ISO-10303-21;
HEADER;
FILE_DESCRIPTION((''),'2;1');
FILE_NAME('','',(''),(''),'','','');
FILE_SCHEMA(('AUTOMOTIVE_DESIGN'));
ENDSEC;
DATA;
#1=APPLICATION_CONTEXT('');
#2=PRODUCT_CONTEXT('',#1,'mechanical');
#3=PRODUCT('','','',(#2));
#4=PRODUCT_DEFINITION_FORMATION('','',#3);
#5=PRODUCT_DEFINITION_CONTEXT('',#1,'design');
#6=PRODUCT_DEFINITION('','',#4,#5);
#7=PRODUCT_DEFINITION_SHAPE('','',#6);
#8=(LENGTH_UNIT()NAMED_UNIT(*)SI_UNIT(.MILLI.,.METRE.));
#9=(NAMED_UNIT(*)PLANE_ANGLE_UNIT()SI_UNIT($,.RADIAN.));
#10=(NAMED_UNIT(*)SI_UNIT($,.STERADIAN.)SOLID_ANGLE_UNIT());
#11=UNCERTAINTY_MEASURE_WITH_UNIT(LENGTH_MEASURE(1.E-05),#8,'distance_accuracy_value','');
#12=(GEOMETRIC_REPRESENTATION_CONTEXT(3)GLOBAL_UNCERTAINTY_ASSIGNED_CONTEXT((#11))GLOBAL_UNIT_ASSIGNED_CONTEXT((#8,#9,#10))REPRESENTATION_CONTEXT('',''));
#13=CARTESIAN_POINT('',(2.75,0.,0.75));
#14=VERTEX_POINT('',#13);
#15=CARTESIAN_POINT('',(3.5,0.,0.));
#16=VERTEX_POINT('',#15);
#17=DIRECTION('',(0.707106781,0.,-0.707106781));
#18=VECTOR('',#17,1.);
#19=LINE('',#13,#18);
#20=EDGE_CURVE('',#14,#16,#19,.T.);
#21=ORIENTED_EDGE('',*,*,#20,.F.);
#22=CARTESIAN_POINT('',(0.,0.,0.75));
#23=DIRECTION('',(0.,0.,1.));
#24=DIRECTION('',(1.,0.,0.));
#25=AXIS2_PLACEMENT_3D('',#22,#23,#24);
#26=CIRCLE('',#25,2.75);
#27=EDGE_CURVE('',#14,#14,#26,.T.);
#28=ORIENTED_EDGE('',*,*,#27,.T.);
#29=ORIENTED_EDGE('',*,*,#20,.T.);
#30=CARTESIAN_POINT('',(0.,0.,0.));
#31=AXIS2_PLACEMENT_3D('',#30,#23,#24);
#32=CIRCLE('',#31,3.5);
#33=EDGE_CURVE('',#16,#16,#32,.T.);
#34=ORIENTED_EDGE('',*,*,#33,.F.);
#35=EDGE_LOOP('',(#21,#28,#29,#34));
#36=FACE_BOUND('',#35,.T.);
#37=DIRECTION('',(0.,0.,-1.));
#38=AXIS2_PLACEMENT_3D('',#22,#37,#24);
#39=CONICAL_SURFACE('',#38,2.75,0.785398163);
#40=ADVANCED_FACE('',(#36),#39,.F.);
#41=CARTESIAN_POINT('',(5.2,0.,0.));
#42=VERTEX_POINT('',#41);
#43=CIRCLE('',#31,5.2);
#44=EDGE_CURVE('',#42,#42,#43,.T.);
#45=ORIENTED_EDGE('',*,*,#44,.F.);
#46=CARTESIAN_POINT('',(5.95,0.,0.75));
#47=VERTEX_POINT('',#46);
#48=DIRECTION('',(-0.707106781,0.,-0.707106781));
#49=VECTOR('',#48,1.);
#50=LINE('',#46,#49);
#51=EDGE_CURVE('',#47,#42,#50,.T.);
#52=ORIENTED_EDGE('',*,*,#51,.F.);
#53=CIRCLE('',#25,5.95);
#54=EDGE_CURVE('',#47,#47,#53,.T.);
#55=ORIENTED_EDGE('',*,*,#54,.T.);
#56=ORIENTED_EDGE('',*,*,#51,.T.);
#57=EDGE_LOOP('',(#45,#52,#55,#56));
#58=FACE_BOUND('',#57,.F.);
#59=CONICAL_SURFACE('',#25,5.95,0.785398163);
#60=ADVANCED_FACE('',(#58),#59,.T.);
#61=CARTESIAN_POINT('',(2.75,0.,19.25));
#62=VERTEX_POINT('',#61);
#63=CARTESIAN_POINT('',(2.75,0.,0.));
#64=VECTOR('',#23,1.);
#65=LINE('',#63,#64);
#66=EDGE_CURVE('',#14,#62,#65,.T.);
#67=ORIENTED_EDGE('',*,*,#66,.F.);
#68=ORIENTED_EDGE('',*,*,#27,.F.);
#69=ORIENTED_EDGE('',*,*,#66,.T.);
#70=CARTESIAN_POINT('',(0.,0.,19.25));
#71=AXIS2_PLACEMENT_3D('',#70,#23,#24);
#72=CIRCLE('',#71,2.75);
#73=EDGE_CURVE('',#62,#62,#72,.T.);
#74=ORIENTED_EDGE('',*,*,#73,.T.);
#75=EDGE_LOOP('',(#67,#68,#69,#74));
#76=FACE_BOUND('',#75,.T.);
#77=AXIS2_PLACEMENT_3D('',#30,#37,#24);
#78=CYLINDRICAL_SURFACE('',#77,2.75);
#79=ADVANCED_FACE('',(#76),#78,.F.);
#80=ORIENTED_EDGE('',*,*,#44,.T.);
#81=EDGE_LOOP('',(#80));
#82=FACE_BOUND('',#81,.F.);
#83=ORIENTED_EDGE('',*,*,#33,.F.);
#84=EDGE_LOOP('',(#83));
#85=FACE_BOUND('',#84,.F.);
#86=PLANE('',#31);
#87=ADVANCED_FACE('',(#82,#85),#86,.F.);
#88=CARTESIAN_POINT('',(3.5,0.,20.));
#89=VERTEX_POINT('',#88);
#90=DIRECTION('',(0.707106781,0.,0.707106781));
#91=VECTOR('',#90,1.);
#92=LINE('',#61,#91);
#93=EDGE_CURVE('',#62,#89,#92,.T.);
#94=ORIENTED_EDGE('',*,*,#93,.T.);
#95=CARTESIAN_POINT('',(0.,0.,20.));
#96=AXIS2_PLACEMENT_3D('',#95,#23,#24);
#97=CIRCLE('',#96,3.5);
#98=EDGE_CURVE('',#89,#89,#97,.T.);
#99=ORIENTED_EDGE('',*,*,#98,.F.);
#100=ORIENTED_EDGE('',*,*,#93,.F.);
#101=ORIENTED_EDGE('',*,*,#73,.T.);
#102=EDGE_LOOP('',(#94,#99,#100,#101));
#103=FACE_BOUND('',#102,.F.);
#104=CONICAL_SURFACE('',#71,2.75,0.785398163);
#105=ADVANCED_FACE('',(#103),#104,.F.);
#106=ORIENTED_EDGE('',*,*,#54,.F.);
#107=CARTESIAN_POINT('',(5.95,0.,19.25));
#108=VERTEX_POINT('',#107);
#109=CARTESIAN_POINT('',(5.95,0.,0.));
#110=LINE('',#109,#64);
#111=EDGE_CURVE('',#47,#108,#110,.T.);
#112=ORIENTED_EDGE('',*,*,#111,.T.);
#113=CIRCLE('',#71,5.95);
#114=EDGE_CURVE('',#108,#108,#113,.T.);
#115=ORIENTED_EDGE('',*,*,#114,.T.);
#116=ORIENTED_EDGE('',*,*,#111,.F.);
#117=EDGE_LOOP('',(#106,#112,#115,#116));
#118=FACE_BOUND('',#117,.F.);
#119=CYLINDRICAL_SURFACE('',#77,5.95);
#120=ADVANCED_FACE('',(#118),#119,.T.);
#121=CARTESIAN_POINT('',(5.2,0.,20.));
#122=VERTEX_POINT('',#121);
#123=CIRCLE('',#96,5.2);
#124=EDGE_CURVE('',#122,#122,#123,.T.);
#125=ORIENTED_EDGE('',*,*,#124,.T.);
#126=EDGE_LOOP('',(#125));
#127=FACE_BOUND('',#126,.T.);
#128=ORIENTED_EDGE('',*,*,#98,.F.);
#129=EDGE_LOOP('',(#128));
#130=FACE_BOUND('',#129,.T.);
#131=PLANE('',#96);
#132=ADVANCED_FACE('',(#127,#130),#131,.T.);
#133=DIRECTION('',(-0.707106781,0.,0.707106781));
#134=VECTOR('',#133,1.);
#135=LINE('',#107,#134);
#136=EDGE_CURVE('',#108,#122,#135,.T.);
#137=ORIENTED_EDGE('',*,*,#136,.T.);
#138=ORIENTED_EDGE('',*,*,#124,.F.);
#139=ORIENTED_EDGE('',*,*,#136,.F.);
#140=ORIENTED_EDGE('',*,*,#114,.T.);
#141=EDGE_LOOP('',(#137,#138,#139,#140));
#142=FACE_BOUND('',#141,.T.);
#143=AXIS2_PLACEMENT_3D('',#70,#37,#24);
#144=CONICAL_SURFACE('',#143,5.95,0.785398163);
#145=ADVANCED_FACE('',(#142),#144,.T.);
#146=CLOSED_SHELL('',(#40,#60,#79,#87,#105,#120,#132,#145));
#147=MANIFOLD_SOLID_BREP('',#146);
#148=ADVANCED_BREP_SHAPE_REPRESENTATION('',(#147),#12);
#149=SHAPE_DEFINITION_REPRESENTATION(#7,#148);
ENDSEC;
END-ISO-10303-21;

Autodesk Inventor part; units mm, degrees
ref_plane "YZ Plane" through (0, 0, 0) normal (1, 0, 0) x (0, 1, 0)
ref_plane "XZ Plane" through (0, 0, 0) normal (0, 1, 0) x (-1, 0, 0)
ref_plane "XY Plane" through (0, 0, 0) normal (0, 0, 1) x (1, 0, 0)
sketch "Sketch1" plane through (0, 0, 0) normal (0, 0, 1) x (1, 0, 0)
  circle A0 centre (0, 0) radius 5.95
  circle A1 centre (0, 0) radius 2.75
extrude "Extrusion1" add sketch "Sketch1" along normal blind 20
chamfer "Chamfer1" distance 0.75 angle 45 4 edges at (-2.75, 0, 20) (-5.95, 0, 20) (-2.75, 0, 0) (-5.95, 0, 0)
properties part number "border pen"
